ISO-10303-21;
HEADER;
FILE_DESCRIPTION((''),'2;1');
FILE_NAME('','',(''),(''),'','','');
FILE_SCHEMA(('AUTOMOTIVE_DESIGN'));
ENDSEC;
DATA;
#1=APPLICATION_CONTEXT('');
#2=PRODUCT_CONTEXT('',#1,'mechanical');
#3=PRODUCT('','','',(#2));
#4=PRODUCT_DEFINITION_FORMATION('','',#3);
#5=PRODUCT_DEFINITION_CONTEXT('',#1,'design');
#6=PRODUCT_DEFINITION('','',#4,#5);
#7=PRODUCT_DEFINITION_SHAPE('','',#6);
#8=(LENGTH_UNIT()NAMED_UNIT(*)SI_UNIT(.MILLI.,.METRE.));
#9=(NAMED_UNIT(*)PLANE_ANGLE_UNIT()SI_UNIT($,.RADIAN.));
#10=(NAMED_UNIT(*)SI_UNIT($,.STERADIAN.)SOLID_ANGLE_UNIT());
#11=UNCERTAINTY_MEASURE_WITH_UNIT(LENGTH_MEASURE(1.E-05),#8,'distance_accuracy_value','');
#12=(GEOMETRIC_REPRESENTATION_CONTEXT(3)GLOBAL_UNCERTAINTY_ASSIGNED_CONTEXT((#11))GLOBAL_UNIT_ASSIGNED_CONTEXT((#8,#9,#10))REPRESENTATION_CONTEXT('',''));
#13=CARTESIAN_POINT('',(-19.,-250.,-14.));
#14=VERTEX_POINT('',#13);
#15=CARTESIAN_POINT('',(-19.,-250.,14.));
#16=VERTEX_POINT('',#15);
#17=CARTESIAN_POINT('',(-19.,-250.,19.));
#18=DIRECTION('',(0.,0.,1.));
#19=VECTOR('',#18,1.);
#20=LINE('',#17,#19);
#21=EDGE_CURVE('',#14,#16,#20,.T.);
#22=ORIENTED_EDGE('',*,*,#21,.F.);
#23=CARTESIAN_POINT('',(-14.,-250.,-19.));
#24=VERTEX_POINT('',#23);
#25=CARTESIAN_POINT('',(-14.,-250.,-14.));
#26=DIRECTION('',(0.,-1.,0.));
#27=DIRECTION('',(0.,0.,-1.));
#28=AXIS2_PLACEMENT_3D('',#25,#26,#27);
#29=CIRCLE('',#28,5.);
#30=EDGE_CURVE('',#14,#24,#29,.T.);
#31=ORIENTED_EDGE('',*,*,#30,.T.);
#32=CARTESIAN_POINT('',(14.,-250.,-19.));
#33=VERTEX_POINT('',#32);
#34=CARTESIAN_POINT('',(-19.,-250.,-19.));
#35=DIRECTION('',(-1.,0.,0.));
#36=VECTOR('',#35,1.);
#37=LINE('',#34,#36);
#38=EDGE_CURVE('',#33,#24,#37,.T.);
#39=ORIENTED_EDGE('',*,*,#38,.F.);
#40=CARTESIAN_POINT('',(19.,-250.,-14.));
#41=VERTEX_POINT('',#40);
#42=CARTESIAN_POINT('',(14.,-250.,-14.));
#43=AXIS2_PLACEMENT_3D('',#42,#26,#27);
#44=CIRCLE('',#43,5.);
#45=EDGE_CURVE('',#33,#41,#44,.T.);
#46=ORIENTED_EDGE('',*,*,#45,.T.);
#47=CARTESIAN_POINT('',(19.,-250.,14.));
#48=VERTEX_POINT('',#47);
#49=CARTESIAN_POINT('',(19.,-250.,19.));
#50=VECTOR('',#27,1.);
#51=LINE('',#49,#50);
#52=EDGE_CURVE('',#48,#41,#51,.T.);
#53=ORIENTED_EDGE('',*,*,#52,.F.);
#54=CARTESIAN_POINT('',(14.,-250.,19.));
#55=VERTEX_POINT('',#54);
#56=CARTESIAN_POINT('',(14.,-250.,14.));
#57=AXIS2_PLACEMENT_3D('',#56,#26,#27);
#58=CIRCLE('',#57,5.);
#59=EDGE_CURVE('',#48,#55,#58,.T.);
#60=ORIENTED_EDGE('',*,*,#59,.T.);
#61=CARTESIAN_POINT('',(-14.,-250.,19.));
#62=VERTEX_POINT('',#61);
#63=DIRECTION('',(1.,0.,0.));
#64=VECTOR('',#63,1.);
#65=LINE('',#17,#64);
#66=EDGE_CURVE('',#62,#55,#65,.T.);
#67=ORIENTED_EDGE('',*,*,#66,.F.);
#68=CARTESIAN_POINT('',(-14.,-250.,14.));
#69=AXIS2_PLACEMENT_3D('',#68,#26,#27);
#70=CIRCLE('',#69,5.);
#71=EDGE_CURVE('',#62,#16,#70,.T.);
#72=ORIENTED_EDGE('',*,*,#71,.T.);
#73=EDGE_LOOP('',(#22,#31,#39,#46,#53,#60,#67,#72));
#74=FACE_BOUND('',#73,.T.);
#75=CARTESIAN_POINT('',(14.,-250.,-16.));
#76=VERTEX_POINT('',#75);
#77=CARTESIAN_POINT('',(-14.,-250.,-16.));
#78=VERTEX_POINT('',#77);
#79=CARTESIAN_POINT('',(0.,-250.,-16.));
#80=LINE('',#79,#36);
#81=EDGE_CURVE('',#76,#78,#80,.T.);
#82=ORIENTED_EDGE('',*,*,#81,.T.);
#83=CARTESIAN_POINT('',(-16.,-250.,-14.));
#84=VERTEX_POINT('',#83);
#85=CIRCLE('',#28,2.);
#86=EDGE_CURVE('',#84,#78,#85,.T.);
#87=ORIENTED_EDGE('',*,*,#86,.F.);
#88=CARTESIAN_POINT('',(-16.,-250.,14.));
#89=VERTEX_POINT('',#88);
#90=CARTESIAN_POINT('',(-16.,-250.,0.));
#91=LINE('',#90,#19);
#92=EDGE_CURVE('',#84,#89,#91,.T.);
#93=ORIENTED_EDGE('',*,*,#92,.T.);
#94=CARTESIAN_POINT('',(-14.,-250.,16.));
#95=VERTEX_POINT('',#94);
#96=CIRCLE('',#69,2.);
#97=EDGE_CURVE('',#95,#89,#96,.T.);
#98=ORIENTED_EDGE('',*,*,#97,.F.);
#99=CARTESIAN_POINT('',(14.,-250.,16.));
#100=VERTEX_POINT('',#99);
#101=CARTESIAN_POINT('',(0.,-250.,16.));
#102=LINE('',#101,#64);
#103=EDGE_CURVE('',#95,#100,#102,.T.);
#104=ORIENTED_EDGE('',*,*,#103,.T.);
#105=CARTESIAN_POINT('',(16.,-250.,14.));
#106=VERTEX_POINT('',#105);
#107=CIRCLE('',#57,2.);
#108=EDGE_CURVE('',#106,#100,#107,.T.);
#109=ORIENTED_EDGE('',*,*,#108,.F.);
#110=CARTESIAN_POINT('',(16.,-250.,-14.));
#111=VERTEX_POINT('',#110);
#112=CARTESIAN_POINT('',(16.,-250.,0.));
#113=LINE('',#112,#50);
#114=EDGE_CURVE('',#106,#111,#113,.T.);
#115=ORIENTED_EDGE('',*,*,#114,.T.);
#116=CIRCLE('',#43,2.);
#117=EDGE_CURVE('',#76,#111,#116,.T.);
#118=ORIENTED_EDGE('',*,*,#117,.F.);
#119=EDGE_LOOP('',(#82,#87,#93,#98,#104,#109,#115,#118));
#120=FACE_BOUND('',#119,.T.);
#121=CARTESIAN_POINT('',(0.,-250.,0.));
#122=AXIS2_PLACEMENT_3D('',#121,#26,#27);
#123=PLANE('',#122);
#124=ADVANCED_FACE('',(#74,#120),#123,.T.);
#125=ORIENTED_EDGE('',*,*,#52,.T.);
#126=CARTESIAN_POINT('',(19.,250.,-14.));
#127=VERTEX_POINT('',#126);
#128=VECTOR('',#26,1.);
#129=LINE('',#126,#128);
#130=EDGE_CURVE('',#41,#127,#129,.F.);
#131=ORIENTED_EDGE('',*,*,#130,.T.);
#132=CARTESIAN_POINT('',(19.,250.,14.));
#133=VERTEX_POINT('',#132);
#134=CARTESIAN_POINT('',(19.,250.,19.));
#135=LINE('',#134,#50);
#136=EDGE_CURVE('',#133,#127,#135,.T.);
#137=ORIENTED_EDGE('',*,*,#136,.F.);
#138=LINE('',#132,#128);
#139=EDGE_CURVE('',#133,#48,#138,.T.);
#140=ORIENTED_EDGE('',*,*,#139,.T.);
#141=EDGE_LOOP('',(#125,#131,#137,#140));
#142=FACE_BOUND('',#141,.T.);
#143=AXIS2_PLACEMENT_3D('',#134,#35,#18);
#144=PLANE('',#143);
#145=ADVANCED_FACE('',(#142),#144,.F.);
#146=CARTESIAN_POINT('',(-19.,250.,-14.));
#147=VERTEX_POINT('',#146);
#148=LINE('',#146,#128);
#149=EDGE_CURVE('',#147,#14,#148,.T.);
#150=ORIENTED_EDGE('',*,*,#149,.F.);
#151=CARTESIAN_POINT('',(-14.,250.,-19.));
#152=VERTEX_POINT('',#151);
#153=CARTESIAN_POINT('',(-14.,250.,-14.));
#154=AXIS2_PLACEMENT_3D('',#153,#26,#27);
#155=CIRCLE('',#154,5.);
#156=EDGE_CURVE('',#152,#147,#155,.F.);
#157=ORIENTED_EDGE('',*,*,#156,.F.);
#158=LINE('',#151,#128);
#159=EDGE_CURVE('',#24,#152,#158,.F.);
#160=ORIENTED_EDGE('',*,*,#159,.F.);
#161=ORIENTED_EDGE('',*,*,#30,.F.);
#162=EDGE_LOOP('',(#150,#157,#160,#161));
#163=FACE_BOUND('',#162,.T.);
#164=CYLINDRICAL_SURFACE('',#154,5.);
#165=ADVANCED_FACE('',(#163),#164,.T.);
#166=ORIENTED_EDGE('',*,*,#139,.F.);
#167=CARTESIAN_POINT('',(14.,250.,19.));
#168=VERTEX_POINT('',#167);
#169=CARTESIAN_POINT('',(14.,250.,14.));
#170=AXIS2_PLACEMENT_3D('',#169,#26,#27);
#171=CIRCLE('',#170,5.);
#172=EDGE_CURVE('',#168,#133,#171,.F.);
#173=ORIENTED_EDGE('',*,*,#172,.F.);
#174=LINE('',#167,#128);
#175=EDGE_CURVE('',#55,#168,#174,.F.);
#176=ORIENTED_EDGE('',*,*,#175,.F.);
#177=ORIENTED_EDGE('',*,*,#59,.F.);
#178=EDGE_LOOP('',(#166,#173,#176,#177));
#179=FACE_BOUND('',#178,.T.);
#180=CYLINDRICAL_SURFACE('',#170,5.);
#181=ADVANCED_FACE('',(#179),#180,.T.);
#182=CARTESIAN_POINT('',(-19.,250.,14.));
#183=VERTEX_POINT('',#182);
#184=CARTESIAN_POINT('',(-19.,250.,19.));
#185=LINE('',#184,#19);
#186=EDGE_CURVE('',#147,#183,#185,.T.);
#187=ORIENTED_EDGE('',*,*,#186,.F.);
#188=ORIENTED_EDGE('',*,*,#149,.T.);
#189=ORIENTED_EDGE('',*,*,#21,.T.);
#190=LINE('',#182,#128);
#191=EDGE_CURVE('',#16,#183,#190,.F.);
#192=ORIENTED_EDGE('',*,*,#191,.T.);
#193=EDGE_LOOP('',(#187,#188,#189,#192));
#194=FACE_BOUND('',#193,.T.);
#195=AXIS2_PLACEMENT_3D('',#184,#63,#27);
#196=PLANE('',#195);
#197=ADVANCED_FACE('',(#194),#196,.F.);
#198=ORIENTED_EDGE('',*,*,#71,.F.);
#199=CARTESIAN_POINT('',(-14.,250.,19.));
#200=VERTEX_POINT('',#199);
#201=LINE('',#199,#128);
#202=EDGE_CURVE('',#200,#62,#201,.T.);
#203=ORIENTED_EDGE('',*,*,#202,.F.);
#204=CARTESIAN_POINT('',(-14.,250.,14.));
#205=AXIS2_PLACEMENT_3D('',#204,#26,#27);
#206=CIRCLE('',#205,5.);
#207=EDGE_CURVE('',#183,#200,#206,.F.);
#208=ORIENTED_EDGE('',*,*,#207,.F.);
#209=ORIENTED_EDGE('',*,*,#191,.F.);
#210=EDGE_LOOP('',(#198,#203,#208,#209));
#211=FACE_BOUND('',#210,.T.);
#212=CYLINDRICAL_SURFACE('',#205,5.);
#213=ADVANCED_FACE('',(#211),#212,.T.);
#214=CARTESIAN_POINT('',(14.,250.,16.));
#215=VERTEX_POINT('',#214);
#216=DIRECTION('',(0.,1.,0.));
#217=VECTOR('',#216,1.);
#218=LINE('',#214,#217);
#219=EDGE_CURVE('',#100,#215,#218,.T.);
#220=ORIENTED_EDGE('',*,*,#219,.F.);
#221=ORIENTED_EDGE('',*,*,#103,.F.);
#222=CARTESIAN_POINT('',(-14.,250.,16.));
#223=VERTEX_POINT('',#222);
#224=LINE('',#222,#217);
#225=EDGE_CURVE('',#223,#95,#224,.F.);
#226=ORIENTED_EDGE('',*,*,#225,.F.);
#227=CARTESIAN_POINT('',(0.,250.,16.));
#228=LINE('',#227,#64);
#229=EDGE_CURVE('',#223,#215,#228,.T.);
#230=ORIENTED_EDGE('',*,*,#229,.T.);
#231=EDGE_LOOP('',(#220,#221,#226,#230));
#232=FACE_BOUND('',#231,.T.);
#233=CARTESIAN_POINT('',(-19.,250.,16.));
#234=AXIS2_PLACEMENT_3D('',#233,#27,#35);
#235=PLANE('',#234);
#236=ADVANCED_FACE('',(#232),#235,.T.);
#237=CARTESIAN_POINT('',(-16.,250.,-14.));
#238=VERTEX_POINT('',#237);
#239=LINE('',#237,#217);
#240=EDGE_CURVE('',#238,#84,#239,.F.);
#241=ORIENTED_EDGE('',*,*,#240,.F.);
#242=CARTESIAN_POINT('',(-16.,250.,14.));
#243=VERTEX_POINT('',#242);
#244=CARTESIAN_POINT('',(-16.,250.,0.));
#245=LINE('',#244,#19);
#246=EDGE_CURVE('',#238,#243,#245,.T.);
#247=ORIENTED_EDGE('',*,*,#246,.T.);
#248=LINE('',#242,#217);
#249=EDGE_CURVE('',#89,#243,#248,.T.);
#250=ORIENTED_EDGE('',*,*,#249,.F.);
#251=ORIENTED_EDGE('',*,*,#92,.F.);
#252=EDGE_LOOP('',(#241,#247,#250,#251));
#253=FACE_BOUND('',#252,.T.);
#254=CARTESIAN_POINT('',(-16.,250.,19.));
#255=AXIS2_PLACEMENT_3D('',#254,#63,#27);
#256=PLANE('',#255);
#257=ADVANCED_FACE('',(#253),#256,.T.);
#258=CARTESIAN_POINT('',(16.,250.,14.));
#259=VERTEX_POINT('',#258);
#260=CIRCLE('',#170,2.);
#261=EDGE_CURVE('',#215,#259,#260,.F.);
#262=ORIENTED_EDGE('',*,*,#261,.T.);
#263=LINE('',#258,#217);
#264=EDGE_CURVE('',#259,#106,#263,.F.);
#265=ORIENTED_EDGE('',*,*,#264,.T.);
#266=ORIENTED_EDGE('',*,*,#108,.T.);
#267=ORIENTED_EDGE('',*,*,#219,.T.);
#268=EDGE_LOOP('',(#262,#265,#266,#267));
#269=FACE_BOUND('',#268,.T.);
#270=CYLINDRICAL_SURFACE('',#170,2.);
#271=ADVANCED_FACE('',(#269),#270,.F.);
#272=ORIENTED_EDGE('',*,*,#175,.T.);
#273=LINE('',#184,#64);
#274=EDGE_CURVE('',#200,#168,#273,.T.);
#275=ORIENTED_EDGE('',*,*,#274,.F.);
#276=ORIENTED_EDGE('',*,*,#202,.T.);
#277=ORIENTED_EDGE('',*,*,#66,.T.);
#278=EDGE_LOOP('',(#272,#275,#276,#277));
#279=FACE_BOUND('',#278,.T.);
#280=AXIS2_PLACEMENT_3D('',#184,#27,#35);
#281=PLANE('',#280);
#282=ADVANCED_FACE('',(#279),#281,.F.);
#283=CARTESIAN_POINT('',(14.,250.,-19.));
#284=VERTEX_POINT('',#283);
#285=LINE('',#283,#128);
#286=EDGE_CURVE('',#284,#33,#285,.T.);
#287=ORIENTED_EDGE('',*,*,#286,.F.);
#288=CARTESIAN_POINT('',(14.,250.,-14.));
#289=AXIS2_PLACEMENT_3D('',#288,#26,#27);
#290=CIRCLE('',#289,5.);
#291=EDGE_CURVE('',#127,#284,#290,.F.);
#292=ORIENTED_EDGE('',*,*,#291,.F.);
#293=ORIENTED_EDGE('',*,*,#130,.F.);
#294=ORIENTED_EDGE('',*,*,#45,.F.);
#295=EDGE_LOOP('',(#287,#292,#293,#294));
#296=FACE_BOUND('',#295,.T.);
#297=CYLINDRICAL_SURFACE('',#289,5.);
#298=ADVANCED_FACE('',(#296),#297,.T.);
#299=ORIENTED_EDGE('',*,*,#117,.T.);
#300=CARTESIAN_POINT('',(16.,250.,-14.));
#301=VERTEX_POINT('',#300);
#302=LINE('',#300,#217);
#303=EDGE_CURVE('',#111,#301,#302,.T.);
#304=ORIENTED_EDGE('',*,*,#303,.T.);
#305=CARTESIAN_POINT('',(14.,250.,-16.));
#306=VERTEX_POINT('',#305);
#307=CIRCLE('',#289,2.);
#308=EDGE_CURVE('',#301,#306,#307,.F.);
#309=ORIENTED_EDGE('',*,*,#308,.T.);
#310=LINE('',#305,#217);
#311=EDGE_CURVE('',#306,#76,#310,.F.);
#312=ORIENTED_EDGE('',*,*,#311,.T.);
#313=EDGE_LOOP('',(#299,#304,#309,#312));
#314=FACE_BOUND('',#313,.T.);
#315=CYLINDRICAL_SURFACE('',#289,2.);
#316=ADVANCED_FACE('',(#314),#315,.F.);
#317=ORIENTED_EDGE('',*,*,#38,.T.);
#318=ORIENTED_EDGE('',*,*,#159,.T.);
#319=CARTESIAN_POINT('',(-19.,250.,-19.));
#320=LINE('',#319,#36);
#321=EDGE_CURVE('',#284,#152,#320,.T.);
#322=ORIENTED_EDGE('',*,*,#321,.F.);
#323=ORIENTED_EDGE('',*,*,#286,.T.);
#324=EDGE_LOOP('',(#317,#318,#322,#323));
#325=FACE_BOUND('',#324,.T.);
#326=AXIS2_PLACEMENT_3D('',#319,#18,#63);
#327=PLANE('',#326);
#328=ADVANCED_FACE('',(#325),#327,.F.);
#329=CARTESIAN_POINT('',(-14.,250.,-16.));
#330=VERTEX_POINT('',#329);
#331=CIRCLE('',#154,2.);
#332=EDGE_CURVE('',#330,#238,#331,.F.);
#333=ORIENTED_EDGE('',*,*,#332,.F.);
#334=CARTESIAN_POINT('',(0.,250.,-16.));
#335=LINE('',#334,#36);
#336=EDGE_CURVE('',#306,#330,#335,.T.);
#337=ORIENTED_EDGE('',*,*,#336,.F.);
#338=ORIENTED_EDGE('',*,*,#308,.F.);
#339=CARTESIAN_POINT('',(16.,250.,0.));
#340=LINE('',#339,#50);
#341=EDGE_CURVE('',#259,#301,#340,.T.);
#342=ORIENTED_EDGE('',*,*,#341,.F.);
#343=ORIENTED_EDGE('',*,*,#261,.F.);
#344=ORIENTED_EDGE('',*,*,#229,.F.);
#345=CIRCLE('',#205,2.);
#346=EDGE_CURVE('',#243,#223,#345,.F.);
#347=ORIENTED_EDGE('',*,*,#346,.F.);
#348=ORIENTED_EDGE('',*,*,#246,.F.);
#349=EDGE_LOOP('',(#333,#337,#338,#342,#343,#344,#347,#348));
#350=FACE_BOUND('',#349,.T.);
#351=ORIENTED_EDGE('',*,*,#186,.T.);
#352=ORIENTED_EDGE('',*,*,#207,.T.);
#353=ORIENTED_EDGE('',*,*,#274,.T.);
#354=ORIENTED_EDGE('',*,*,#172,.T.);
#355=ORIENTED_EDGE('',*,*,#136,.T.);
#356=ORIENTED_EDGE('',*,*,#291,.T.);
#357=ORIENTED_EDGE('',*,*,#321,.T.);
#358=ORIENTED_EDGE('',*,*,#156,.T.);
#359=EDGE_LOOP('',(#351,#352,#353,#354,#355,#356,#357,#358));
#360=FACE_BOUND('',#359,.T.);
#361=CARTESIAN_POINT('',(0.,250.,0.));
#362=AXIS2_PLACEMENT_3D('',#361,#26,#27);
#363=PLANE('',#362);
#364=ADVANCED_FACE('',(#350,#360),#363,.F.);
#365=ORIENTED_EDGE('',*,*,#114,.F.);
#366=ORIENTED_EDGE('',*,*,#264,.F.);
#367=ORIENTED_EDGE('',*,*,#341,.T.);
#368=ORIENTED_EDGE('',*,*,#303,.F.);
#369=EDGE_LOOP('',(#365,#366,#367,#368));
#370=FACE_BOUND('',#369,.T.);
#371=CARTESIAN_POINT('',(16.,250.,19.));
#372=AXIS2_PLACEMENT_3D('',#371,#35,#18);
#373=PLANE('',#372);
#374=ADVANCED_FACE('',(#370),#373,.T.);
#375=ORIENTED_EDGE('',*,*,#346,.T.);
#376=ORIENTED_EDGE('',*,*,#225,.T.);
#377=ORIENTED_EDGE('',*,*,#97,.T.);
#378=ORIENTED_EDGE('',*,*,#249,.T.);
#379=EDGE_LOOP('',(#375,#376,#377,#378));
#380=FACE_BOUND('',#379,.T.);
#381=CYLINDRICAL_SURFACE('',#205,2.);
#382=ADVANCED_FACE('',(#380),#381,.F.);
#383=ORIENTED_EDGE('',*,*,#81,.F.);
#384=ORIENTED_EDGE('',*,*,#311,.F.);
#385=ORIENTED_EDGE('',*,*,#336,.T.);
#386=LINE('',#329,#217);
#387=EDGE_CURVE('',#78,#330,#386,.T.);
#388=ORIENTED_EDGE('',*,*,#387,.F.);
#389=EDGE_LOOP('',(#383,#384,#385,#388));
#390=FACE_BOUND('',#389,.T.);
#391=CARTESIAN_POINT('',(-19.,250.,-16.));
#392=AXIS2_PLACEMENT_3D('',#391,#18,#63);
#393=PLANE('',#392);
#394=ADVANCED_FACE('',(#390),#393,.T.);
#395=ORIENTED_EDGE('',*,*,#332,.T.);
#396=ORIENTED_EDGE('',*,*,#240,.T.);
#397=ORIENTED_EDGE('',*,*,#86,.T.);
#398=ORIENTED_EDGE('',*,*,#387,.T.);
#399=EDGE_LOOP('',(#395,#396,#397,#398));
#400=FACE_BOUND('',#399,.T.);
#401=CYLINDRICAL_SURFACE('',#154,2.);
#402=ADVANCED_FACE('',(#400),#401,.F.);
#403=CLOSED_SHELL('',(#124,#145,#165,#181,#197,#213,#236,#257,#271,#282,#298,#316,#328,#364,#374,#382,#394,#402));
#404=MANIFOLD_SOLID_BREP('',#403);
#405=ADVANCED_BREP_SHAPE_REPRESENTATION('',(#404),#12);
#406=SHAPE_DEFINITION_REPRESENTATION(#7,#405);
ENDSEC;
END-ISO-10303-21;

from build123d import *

# Parameters (mm, degrees)
SKETCH1_W           = 38
SKETCH1_H           = 38
BOSS_EXTRUDE1_DEPTH = 250
FILLET1_R           = 5
SHELL1_T            = -3


with BuildPart() as part:
    # Sketch1 → Boss-Extrude1 (new, symmetric)
    with BuildSketch(Plane(origin=(0, 0, 0), x_dir=(1, 0, 0), z_dir=(0, 1, 0))):
        Rectangle(SKETCH1_W, SKETCH1_H)
    extrude(amount=BOSS_EXTRUDE1_DEPTH, both=True)

    # Fillet1
    fillet1_edges = [part.edges().sort_by_distance(p)[0] for p in [
        (19, 0, 19),
        (-19, 0, 19),
        (-19, 0, -19),
        (19, 0, -19),
    ]]
    fillet(fillet1_edges, radius=FILLET1_R)

    # Shell1
    shell1_openings = [part.faces().sort_by_distance(p)[0] for p in [
        (0, 250, 0),
        (0, -250, 0),
    ]]
    offset(amount=SHELL1_T, openings=shell1_openings, kind=Kind.INTERSECTION)


solid = part.part
